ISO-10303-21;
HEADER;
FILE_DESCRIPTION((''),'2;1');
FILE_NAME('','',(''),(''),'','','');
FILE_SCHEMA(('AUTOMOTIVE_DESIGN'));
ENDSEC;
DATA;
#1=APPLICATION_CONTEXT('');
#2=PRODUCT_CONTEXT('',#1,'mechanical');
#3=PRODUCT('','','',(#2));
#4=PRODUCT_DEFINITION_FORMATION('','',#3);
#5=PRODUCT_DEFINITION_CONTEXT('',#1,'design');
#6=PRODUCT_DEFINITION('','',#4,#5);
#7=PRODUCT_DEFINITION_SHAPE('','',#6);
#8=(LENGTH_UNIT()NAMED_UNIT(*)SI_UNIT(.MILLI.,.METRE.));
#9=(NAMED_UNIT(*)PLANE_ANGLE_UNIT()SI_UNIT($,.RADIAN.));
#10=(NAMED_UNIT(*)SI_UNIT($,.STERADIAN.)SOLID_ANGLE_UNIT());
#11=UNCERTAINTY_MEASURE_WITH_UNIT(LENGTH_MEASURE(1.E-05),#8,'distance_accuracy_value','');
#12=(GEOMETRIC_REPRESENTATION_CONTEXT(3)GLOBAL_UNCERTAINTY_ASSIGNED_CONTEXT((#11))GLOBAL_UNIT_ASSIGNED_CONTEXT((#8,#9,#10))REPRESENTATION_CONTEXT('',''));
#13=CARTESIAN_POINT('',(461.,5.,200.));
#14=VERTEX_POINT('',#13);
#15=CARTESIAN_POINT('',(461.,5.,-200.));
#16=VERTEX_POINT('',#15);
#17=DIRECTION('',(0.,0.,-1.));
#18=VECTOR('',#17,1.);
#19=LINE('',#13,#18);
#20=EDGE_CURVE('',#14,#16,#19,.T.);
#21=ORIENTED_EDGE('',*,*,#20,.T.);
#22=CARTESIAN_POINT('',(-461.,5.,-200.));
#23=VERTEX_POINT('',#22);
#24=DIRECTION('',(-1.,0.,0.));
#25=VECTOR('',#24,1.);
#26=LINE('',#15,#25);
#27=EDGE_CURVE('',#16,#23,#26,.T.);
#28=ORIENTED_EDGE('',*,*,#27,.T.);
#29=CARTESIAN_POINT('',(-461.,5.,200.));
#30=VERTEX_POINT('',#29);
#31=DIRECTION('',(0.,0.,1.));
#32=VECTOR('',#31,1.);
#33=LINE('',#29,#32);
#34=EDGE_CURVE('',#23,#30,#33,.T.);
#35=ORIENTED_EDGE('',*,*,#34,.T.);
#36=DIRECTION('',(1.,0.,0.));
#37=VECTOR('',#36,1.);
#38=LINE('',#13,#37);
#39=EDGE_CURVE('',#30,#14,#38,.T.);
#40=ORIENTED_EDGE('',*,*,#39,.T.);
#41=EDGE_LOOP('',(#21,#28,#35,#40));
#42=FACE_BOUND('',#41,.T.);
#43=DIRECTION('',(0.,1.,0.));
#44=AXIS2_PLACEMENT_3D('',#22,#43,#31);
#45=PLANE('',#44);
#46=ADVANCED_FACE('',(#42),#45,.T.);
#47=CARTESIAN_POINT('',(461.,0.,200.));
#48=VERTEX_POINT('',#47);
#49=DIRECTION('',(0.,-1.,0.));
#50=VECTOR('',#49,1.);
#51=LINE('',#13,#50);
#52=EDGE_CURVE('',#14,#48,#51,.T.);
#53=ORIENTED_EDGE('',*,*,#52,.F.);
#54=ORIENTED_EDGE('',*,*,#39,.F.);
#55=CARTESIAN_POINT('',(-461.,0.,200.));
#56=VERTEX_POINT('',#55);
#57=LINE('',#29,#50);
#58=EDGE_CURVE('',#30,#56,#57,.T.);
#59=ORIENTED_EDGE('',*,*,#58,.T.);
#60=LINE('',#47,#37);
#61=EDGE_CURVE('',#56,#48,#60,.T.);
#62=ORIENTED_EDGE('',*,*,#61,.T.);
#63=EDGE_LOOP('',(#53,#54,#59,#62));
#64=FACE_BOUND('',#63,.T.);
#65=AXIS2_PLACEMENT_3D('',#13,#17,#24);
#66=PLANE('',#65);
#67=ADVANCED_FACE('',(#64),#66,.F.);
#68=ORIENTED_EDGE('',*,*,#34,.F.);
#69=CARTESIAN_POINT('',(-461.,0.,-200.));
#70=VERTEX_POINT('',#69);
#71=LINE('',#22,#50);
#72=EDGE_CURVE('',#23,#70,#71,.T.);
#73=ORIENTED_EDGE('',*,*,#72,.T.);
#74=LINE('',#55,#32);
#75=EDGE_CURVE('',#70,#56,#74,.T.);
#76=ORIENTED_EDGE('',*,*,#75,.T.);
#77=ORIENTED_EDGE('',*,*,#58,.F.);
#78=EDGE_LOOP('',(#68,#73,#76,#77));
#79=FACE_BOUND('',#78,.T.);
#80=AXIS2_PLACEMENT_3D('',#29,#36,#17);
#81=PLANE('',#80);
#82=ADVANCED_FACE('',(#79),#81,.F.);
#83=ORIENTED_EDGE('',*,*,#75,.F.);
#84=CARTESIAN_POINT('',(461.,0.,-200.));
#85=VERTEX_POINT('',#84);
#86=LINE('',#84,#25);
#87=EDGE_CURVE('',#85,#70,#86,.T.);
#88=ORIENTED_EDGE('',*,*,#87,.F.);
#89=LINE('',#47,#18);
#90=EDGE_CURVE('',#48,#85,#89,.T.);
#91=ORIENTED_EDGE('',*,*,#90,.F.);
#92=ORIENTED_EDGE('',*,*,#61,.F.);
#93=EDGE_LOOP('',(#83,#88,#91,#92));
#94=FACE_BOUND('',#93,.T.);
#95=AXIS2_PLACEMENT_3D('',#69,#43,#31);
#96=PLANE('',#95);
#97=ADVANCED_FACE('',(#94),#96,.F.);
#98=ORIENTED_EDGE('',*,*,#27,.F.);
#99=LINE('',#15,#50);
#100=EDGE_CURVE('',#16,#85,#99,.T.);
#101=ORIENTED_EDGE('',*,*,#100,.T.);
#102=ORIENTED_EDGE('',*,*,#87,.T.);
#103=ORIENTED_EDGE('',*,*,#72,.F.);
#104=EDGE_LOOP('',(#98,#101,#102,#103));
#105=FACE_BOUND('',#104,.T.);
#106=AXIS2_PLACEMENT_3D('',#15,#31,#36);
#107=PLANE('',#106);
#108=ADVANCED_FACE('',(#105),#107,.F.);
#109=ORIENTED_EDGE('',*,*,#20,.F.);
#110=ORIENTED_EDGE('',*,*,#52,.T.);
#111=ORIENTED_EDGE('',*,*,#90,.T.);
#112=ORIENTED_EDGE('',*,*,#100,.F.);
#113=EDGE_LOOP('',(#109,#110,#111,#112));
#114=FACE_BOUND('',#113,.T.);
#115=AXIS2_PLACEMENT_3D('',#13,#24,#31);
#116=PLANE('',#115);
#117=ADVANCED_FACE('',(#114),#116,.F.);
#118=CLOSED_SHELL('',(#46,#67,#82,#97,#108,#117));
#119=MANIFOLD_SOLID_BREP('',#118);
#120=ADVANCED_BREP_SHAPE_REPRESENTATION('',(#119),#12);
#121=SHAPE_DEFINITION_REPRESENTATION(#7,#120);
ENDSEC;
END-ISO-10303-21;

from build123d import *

# Parameters (mm, degrees)
CROQUIS1_W     = 922
CROQUIS1_H     = 400
EXTRUIR1_DEPTH = 5


with BuildPart() as part:
    # Croquis1 → Extruir1 (new body)
    with BuildSketch(Plane(origin=(0, 0, 0), x_dir=(1, 0, 0), z_dir=(0, 1, 0))):
        Rectangle(CROQUIS1_W, CROQUIS1_H)
    extrude(amount=EXTRUIR1_DEPTH)


solid = part.part
